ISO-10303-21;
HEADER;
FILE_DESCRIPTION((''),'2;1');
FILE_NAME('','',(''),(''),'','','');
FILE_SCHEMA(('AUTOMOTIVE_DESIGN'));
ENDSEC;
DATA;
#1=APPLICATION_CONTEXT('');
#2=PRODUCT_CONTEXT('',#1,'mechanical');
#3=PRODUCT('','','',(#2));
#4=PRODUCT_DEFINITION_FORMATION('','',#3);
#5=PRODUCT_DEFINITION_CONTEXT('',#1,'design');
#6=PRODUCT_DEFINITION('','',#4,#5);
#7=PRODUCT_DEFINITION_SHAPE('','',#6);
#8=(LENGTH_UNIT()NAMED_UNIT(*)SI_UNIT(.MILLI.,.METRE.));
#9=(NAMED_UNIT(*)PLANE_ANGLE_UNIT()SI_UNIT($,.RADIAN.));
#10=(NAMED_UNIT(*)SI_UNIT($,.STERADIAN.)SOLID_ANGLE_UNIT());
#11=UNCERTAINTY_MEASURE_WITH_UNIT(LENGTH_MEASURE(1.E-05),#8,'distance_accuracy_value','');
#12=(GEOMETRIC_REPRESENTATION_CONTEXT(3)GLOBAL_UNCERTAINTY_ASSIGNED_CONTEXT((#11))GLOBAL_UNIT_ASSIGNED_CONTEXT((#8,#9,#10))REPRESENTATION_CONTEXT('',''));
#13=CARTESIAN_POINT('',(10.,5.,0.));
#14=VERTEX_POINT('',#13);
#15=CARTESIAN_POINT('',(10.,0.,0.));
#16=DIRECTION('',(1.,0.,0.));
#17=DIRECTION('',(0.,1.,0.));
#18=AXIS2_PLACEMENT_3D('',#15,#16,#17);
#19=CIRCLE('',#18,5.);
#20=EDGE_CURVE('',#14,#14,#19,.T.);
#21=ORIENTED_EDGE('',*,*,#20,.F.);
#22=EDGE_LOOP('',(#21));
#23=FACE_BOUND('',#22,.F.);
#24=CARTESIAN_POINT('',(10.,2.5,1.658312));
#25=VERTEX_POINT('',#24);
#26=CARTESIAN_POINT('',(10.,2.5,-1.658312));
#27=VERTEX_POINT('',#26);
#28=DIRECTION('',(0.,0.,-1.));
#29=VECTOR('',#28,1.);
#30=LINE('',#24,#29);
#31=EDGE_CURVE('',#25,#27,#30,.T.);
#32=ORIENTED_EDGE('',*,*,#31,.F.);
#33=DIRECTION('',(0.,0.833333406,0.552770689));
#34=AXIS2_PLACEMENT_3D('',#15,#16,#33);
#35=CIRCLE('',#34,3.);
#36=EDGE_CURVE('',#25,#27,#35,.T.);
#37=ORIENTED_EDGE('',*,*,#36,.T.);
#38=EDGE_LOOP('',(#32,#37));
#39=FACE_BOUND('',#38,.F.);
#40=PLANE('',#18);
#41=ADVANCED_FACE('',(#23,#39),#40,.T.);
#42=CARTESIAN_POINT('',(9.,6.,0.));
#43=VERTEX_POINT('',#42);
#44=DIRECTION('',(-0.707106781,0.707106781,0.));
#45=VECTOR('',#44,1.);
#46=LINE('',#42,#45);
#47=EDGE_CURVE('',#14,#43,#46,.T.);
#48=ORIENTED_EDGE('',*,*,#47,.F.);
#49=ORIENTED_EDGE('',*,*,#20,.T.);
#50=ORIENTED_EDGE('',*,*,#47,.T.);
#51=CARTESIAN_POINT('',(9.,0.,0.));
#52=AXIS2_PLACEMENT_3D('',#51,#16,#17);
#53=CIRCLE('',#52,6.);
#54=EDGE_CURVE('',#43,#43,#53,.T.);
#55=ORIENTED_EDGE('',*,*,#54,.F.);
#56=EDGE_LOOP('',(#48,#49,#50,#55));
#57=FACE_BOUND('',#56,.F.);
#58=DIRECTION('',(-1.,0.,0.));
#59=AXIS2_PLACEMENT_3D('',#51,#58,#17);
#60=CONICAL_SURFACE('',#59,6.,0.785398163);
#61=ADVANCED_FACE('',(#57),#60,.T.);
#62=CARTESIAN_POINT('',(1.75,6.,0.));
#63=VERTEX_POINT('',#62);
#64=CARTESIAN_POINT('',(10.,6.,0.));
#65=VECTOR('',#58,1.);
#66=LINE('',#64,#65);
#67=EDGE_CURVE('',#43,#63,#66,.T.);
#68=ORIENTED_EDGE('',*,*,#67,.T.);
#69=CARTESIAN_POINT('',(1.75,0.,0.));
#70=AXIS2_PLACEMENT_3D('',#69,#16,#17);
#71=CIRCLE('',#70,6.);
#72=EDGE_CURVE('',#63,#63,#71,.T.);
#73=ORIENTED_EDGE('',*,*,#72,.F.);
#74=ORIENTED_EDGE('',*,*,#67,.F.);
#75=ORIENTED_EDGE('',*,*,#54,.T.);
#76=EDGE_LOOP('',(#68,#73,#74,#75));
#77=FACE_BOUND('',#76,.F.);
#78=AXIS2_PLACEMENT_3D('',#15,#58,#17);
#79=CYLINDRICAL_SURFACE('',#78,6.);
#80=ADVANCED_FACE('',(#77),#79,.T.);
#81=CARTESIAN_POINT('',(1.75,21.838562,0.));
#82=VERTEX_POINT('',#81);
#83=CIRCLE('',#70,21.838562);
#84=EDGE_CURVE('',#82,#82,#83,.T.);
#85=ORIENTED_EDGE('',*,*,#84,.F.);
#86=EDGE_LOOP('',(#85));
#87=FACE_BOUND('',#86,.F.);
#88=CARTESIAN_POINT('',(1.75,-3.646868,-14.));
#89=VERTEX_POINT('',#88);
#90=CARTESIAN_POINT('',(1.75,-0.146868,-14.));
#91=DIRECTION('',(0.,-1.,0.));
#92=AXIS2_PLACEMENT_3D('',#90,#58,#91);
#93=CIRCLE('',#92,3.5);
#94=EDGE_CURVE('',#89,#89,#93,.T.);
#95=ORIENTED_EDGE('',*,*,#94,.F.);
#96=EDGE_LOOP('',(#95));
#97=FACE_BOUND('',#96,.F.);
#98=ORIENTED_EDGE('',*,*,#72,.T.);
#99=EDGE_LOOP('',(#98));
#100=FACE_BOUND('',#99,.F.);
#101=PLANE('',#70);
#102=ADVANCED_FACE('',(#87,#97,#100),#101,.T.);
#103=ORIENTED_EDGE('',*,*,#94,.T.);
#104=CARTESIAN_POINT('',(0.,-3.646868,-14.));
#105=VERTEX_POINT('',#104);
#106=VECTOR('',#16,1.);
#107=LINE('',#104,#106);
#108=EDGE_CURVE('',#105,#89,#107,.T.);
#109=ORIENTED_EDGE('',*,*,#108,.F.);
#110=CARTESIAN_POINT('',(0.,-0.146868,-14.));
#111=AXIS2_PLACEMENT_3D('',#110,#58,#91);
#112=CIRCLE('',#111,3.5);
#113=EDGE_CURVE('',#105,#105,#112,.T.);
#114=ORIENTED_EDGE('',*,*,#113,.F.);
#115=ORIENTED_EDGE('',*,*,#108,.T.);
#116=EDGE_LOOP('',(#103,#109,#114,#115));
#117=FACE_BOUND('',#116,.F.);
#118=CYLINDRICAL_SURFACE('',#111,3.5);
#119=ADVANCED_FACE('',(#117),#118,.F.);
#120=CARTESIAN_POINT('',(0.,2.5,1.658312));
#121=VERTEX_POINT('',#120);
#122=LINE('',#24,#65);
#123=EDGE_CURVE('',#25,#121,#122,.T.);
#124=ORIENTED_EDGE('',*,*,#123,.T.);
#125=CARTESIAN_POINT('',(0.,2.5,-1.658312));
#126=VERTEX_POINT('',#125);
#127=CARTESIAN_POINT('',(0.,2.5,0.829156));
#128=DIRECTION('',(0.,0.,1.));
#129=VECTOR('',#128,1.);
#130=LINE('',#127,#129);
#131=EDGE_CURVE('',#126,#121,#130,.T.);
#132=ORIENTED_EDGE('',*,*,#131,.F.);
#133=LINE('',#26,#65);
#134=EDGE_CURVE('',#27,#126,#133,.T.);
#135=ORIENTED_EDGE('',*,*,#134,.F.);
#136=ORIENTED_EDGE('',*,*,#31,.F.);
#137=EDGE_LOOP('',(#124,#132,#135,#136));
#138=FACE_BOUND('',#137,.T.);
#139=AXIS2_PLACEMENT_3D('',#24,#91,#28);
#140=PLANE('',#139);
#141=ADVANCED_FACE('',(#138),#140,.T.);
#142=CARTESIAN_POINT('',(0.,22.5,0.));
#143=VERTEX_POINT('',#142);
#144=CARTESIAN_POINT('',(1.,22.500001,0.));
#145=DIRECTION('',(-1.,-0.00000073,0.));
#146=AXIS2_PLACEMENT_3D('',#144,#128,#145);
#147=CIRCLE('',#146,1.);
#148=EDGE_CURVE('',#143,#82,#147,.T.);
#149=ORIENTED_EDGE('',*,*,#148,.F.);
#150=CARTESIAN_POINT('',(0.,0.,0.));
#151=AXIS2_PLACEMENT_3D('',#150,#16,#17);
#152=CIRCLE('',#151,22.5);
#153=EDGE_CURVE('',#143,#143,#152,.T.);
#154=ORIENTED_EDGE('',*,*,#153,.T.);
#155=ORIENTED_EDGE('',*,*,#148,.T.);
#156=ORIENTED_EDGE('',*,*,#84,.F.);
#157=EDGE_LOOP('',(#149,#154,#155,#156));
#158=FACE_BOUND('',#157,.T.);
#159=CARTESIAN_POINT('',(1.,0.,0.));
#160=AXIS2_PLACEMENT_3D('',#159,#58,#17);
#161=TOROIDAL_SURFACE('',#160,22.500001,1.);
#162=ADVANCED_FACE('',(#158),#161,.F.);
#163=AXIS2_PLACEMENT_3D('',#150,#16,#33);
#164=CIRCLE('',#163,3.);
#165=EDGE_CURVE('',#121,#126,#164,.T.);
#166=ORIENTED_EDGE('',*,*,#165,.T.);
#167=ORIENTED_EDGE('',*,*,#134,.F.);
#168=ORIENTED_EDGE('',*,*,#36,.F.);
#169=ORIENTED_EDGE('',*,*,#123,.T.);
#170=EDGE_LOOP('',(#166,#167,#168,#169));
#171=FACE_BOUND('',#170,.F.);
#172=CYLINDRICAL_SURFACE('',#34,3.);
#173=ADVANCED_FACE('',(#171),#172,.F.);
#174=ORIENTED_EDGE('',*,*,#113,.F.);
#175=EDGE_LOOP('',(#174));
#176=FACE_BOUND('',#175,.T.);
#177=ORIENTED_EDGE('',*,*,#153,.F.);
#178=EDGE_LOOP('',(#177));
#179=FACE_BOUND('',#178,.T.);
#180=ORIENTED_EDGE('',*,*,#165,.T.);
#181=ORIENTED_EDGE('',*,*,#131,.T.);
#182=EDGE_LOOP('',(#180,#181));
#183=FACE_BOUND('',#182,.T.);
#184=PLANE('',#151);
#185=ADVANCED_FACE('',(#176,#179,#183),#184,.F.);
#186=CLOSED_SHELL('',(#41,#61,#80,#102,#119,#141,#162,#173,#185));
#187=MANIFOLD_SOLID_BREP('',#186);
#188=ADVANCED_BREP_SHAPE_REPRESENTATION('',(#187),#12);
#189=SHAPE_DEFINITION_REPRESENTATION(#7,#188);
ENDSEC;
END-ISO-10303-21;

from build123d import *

# Parameters (mm, degrees)
POCKET_DEPTH    = 10.001
CHAMFER_SIZE    = 1
SKETCH002_R     = 3.5
POCKET001_DEPTH = 5


with BuildPart() as part:
    # Sketch → Revolution (revolve)
    with BuildSketch(Plane.XY):
        with BuildLine():
            Line((0, 0), (0, 22.5))
            ThreePointArc((0, 22.5), (0.646447, 21.564586), (1.75, 21.838562))
            Line((1.75, 6), (1.75, 21.838562))
            Line((10, 6), (1.75, 6))
            Line((10, 0), (10, 6))
            Line((0, 0), (10, 0))
        make_face()
    revolve(axis=Axis((0, 0, 0), (1, 0, 0)))

    # Sketch001 (on Face5 of Revolution) → Pocket (cut, through all)
    with BuildSketch(Plane.YZ.offset(10)):
        with BuildLine():
            ThreePointArc((2.5, 1.658312), (-3, 0), (2.5, -1.658312))
            Line((2.5, 1.658312), (2.5, -1.658312))
        make_face()
    extrude(amount=-POCKET_DEPTH, mode=Mode.SUBTRACT)

    # Chamfer
    chamfer_edges = [part.edges().sort_by_distance(p)[0] for p in [
        (10, -6, 0),
    ]]
    chamfer(chamfer_edges, length=CHAMFER_SIZE)

    # Sketch002 (on Face6 of Chamfer) → Pocket001 (cut)
    with BuildSketch(Plane(origin=(0, 0, 0), x_dir=(0, -1, 0), z_dir=(-1, 0, 0))):
        with Locations((0.146868, -14)):
            Circle(SKETCH002_R)
    extrude(amount=-POCKET001_DEPTH, mode=Mode.SUBTRACT)


solid = part.part
